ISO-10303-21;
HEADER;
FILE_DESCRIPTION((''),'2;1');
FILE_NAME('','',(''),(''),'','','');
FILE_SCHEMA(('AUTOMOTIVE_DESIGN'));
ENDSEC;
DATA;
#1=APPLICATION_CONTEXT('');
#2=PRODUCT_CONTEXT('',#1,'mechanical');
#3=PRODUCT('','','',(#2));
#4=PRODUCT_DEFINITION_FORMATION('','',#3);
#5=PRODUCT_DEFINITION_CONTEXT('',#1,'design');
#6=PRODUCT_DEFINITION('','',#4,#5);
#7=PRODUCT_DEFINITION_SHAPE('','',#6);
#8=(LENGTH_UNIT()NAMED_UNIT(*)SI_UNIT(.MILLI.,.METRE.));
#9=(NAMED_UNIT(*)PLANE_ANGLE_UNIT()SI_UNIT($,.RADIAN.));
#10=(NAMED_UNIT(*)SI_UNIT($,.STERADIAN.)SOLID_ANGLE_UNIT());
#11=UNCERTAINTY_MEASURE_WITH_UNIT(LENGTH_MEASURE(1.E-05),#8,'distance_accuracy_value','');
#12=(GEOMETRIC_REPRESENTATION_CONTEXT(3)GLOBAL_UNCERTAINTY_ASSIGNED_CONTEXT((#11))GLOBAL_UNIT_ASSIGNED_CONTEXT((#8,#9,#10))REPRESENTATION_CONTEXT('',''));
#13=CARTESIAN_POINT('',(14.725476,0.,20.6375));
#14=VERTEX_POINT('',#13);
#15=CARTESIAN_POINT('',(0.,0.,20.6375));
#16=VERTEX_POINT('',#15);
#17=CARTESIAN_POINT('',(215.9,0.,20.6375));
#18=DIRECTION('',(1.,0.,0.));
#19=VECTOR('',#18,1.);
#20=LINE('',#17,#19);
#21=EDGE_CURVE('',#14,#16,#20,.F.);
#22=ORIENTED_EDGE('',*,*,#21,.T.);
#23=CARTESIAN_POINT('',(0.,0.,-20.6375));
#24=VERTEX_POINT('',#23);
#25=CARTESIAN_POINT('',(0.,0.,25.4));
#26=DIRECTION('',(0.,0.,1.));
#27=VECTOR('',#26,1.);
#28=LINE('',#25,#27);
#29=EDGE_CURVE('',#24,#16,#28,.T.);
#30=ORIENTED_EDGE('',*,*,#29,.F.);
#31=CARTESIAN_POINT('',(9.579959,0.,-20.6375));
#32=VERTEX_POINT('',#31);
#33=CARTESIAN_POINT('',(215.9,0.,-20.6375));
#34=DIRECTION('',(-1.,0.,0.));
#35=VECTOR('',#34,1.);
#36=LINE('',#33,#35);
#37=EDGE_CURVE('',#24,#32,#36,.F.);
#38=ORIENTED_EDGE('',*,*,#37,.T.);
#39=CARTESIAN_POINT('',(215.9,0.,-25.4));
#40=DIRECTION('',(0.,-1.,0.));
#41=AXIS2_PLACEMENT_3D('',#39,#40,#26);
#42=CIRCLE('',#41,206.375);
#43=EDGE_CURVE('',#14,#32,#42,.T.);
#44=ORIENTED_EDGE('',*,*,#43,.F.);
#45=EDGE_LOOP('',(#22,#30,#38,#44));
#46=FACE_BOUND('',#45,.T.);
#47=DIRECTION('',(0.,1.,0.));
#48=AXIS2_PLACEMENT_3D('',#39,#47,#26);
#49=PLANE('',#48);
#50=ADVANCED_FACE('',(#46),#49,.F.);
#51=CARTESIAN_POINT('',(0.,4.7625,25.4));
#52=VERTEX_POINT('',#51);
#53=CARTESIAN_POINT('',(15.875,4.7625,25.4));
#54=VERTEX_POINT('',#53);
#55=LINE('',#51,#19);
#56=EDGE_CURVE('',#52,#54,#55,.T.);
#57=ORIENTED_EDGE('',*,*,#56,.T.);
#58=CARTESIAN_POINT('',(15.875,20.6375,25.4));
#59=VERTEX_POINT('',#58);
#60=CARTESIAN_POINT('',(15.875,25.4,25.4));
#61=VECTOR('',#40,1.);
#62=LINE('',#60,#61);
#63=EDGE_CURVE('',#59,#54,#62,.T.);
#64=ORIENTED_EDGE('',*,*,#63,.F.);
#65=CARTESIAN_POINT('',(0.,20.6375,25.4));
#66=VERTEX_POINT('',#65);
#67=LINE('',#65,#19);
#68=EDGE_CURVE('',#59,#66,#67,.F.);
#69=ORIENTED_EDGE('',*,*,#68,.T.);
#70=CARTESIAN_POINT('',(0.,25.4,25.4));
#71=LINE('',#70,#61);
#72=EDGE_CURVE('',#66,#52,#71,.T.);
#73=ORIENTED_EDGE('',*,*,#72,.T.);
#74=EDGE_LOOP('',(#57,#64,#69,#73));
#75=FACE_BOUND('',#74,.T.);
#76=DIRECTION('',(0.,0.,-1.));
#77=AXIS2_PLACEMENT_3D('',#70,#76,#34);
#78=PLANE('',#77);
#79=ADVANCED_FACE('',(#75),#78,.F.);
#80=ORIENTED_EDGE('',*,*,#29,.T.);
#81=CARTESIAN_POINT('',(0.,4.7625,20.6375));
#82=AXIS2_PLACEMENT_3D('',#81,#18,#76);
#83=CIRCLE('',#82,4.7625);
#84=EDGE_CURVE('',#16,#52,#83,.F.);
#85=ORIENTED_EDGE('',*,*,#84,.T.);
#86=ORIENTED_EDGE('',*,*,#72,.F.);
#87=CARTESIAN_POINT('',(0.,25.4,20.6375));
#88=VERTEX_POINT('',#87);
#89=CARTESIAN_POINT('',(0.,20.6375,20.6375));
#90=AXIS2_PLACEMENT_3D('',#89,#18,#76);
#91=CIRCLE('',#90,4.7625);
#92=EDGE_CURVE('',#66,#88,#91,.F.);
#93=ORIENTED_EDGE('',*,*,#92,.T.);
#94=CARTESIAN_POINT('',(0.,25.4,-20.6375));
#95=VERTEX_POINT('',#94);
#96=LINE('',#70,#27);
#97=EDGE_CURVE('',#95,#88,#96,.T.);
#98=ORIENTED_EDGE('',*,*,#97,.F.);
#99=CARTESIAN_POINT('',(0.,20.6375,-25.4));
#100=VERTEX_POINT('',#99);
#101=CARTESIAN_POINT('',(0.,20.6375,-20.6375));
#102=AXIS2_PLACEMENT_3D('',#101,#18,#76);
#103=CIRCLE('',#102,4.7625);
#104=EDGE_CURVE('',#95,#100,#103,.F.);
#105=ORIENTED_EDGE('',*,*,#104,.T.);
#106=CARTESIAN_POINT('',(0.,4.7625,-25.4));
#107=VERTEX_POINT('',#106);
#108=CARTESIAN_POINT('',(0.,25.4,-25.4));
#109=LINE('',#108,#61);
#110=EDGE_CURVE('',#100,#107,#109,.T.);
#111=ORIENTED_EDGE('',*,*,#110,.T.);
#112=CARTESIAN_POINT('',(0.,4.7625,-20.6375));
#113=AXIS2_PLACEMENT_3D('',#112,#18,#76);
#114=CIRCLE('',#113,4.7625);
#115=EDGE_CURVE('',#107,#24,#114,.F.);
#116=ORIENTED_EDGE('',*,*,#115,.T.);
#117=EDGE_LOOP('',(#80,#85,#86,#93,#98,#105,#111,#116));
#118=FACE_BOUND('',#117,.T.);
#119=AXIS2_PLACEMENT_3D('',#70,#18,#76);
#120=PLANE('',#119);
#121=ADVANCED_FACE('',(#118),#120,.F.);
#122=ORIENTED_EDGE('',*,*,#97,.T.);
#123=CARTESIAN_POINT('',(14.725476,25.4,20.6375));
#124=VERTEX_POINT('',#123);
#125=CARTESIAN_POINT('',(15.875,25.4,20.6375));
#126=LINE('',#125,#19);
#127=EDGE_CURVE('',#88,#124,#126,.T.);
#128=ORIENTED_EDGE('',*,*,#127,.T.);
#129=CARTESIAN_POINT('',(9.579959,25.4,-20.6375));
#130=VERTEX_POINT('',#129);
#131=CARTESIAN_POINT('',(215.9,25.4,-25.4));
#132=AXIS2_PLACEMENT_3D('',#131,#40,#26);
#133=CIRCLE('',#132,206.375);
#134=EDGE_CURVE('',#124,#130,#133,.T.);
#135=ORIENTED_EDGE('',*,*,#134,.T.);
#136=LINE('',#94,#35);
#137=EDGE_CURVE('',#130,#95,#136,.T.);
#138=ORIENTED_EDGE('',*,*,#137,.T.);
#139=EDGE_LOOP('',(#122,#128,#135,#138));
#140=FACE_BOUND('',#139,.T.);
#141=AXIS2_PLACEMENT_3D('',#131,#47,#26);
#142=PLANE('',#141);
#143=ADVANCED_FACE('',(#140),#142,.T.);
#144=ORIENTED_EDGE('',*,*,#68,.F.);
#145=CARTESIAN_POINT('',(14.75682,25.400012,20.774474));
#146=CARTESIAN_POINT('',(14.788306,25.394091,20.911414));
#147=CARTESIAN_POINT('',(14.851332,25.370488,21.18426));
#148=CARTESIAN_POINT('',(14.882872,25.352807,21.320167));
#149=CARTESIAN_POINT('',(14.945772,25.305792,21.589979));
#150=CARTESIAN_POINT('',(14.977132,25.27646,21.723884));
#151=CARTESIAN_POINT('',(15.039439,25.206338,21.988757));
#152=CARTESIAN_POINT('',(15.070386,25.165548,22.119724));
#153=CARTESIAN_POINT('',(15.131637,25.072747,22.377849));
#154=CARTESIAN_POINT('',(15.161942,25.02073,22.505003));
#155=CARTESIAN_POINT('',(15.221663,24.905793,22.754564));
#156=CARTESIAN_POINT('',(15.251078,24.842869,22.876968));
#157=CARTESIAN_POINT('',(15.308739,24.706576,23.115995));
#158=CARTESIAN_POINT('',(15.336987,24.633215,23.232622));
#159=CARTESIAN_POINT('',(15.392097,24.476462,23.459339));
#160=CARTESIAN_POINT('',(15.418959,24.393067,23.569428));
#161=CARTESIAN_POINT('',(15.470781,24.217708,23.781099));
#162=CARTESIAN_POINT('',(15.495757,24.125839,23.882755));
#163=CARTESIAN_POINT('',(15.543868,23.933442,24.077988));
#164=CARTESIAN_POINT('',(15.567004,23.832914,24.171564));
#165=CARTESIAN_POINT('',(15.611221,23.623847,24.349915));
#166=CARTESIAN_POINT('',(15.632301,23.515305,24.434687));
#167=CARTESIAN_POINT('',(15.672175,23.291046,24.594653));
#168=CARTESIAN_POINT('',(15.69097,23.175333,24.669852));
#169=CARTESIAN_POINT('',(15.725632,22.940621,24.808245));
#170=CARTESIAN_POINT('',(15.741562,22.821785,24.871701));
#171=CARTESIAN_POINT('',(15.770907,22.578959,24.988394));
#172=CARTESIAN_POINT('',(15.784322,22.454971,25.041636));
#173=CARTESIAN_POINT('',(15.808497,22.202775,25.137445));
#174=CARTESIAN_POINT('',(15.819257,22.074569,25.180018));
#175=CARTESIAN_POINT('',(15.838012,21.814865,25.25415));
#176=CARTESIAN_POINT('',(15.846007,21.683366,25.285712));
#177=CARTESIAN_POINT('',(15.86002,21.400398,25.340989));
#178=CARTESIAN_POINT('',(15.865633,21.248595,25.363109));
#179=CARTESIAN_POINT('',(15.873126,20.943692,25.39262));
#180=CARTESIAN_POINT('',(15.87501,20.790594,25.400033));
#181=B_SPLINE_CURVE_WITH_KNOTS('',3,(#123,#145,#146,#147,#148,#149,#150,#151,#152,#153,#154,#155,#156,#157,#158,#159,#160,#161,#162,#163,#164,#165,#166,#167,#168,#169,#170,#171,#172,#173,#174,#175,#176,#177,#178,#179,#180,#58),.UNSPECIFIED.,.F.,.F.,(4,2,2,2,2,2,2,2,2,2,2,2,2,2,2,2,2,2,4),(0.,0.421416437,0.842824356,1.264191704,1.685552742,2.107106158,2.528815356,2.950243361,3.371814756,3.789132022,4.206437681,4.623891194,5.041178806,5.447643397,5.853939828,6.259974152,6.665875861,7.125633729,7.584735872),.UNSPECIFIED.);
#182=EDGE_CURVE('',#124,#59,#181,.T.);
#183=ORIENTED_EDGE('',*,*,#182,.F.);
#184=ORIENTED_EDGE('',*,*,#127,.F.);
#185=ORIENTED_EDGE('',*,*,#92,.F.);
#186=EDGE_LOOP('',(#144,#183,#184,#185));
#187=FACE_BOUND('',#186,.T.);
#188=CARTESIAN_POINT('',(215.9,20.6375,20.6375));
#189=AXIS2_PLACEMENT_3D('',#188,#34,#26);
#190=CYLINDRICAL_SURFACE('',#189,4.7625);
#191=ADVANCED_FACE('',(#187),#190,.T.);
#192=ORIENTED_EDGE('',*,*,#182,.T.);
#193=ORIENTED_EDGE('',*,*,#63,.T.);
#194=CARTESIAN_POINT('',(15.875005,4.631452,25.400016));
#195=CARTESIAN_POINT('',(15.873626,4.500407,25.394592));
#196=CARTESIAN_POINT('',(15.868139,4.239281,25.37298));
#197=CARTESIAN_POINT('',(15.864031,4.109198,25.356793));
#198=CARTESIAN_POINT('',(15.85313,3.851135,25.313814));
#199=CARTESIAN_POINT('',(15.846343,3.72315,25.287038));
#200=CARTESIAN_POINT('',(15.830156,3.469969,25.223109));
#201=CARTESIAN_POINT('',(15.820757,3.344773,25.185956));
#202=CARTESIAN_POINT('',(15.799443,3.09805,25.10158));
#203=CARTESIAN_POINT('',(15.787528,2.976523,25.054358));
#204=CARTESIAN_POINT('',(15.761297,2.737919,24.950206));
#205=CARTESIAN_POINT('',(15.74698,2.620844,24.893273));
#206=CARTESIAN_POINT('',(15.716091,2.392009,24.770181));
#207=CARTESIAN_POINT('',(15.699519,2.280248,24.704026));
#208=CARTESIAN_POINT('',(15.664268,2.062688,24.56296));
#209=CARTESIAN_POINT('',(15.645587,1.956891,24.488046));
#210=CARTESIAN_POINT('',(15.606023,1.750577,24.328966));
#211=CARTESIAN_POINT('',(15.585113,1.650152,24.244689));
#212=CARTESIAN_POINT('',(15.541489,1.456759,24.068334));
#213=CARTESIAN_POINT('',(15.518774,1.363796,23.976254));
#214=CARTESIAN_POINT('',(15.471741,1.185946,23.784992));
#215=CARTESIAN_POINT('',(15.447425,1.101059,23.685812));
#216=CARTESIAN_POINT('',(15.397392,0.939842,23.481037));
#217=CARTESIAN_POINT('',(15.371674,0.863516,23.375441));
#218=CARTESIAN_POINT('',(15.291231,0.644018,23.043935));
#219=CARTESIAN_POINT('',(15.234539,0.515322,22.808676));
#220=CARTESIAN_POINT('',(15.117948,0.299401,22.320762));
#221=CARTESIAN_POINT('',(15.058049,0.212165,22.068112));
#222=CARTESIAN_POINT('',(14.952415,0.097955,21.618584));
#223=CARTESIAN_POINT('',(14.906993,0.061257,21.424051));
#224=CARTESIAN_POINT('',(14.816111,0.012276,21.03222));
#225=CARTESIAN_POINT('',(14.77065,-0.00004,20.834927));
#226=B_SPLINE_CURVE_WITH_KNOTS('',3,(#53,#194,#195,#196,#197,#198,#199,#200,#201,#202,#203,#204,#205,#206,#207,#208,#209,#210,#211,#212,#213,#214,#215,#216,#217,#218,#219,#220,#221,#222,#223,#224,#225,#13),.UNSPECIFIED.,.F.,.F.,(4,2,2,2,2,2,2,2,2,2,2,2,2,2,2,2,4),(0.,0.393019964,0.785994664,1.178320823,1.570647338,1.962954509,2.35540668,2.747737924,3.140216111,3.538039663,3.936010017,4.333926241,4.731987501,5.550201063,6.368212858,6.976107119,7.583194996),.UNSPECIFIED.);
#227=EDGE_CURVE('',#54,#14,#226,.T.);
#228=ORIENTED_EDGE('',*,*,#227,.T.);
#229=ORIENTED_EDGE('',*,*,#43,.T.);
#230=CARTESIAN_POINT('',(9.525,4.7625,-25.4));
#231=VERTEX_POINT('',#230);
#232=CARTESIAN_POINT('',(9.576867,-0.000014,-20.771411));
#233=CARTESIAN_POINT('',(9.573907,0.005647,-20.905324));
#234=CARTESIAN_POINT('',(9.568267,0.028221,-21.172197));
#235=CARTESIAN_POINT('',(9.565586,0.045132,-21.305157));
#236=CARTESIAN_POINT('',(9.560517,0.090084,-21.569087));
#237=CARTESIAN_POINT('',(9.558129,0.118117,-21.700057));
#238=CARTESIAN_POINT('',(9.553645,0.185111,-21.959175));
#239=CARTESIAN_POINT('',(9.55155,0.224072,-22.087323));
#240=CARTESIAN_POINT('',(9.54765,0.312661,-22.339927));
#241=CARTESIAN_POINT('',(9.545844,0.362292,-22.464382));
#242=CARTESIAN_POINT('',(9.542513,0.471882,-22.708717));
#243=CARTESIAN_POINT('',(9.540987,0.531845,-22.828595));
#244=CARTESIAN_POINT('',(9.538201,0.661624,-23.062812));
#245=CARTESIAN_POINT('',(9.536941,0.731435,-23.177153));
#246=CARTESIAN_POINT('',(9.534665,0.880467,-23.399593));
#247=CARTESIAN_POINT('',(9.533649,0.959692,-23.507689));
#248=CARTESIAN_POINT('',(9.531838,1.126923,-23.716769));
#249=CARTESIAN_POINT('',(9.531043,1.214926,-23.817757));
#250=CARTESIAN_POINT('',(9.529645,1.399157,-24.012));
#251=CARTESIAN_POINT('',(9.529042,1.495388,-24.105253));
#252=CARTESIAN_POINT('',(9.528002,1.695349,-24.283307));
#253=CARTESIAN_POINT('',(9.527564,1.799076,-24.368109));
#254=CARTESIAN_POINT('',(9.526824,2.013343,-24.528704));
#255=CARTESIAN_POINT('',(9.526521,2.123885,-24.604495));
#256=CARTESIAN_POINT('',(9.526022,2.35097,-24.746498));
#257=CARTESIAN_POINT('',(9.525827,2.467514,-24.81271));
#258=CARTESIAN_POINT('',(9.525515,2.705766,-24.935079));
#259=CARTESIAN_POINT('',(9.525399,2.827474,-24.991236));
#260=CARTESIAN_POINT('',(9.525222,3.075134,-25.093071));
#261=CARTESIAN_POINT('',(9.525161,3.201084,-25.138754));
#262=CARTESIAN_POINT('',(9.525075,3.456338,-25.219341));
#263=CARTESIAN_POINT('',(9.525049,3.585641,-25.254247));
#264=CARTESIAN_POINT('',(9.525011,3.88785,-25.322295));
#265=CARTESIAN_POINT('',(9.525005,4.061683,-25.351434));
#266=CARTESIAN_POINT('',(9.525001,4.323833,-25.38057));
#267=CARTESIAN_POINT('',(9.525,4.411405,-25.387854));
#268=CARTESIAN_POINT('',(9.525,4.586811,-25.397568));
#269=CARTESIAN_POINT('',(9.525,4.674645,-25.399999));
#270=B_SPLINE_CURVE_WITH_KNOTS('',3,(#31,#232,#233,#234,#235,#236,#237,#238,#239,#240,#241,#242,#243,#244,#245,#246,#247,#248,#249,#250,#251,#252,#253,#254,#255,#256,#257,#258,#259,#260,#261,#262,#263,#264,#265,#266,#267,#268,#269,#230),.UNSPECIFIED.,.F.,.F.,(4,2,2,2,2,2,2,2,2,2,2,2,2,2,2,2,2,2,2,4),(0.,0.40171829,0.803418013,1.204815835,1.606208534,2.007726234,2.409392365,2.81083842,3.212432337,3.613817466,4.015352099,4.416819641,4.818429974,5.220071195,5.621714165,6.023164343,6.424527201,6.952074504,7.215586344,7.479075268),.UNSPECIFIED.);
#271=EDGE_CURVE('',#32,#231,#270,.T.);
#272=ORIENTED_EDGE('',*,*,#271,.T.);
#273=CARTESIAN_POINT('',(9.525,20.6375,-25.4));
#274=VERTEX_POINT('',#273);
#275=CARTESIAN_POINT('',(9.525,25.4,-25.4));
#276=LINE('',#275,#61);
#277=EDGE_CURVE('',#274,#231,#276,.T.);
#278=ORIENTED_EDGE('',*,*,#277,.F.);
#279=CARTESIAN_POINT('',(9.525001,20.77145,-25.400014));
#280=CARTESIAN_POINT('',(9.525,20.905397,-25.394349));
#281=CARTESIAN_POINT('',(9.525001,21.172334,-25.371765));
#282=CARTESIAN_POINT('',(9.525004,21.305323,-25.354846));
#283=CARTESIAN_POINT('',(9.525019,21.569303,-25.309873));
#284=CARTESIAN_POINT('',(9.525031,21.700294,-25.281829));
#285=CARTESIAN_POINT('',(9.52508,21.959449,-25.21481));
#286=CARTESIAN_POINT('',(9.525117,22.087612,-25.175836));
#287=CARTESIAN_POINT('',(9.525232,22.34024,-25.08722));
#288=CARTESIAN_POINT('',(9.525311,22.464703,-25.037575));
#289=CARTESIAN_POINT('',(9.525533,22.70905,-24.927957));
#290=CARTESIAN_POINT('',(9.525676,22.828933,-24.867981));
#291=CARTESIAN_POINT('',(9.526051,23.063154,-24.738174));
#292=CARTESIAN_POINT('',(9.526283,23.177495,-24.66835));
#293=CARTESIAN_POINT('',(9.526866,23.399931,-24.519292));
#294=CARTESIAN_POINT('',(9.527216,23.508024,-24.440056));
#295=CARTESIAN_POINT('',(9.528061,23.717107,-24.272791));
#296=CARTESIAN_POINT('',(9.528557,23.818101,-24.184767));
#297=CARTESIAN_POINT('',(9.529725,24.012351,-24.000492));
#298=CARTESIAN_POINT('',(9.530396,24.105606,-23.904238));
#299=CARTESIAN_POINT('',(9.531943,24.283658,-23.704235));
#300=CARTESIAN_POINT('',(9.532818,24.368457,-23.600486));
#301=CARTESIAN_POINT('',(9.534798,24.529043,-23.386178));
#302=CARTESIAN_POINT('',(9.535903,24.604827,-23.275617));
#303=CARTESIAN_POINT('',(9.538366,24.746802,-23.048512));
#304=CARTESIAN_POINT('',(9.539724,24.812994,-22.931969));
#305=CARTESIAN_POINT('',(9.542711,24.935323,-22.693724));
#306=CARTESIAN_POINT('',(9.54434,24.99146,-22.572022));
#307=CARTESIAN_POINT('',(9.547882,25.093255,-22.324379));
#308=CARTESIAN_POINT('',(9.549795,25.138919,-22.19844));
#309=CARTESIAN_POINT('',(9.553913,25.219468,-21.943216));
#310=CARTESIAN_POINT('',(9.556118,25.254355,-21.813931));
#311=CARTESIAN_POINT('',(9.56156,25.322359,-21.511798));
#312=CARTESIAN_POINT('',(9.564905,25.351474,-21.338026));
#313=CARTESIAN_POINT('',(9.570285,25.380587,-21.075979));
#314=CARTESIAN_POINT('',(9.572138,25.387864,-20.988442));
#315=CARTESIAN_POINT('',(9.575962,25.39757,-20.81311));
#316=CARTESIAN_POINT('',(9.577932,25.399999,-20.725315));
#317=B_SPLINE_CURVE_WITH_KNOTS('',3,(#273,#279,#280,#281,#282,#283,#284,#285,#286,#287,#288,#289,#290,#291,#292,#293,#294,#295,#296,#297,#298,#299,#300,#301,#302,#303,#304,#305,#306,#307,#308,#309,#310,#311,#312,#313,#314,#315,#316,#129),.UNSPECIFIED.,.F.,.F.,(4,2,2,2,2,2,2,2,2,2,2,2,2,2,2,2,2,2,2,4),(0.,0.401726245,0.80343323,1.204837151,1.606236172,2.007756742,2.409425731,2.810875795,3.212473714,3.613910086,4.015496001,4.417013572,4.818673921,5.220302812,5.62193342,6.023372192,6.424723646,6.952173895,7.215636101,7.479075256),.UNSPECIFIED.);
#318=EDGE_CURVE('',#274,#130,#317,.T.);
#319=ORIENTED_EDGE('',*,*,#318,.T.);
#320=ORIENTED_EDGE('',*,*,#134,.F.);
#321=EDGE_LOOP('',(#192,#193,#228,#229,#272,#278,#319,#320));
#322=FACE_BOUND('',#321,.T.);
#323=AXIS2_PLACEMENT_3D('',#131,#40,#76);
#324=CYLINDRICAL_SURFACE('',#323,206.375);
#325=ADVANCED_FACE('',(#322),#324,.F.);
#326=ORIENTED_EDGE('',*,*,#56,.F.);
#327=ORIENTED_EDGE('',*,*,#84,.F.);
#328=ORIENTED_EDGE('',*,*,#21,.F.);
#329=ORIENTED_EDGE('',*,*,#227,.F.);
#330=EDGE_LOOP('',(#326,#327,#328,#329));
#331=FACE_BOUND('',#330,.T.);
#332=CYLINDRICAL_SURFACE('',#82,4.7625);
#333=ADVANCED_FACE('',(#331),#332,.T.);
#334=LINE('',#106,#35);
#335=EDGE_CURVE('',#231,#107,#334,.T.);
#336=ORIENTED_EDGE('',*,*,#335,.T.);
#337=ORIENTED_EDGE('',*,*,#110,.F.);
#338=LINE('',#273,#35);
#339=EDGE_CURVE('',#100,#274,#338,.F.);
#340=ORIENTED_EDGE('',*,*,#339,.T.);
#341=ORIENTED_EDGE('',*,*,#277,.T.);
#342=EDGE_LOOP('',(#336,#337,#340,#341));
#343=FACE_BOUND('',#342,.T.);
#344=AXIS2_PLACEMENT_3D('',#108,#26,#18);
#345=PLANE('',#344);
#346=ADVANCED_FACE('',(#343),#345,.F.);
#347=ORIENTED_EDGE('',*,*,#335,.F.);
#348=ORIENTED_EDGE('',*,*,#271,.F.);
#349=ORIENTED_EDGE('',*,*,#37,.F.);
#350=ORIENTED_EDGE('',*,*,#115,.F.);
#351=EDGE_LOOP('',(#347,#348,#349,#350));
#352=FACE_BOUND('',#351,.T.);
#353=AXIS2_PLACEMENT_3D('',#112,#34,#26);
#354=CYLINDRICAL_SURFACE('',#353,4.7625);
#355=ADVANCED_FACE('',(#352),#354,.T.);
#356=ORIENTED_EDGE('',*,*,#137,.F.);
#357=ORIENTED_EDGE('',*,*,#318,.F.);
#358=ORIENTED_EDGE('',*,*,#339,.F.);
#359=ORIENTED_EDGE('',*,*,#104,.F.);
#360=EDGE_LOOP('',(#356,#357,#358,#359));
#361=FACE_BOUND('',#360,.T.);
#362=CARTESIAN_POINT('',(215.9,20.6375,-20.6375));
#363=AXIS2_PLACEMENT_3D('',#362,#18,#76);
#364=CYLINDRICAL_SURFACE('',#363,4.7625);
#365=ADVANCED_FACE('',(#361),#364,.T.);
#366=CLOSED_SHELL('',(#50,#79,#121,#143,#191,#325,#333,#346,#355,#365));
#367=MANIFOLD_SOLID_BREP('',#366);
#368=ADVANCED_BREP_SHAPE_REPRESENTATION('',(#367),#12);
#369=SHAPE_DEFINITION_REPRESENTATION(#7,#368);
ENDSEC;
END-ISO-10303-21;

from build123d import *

# Parameters (mm, degrees)
BOSS_EXTRUDE1_DEPTH = 25.4
FILLET1_R           = 4.7625


with BuildPart() as part:
    # Sketch1 → Boss-Extrude1 (new body)
    with BuildSketch(Plane(origin=(0, 0, 0), x_dir=(1, 0, 0), z_dir=(0, 1, 0))):
        with BuildLine():
            Line((0, -25.4), (0, 25.4))
            Line((0, 25.4), (9.525, 25.4))
            ThreePointArc((9.525, 25.4), (11.118653193, -0.197668351), (15.875, -25.4))
            Line((15.875, -25.4), (0, -25.4))
        make_face()
    extrude(amount=BOSS_EXTRUDE1_DEPTH)

    # Fillet1
    fillet1_edges = [part.edges().sort_by_distance(p)[0] for p in [
        (7.9375, 25.4, 25.4),
        (4.7625, 25.4, -25.4),
        (7.9375, 0, 25.4),
        (4.7625, 0, -25.4),
    ]]
    fillet(fillet1_edges, radius=FILLET1_R)


solid = part.part
